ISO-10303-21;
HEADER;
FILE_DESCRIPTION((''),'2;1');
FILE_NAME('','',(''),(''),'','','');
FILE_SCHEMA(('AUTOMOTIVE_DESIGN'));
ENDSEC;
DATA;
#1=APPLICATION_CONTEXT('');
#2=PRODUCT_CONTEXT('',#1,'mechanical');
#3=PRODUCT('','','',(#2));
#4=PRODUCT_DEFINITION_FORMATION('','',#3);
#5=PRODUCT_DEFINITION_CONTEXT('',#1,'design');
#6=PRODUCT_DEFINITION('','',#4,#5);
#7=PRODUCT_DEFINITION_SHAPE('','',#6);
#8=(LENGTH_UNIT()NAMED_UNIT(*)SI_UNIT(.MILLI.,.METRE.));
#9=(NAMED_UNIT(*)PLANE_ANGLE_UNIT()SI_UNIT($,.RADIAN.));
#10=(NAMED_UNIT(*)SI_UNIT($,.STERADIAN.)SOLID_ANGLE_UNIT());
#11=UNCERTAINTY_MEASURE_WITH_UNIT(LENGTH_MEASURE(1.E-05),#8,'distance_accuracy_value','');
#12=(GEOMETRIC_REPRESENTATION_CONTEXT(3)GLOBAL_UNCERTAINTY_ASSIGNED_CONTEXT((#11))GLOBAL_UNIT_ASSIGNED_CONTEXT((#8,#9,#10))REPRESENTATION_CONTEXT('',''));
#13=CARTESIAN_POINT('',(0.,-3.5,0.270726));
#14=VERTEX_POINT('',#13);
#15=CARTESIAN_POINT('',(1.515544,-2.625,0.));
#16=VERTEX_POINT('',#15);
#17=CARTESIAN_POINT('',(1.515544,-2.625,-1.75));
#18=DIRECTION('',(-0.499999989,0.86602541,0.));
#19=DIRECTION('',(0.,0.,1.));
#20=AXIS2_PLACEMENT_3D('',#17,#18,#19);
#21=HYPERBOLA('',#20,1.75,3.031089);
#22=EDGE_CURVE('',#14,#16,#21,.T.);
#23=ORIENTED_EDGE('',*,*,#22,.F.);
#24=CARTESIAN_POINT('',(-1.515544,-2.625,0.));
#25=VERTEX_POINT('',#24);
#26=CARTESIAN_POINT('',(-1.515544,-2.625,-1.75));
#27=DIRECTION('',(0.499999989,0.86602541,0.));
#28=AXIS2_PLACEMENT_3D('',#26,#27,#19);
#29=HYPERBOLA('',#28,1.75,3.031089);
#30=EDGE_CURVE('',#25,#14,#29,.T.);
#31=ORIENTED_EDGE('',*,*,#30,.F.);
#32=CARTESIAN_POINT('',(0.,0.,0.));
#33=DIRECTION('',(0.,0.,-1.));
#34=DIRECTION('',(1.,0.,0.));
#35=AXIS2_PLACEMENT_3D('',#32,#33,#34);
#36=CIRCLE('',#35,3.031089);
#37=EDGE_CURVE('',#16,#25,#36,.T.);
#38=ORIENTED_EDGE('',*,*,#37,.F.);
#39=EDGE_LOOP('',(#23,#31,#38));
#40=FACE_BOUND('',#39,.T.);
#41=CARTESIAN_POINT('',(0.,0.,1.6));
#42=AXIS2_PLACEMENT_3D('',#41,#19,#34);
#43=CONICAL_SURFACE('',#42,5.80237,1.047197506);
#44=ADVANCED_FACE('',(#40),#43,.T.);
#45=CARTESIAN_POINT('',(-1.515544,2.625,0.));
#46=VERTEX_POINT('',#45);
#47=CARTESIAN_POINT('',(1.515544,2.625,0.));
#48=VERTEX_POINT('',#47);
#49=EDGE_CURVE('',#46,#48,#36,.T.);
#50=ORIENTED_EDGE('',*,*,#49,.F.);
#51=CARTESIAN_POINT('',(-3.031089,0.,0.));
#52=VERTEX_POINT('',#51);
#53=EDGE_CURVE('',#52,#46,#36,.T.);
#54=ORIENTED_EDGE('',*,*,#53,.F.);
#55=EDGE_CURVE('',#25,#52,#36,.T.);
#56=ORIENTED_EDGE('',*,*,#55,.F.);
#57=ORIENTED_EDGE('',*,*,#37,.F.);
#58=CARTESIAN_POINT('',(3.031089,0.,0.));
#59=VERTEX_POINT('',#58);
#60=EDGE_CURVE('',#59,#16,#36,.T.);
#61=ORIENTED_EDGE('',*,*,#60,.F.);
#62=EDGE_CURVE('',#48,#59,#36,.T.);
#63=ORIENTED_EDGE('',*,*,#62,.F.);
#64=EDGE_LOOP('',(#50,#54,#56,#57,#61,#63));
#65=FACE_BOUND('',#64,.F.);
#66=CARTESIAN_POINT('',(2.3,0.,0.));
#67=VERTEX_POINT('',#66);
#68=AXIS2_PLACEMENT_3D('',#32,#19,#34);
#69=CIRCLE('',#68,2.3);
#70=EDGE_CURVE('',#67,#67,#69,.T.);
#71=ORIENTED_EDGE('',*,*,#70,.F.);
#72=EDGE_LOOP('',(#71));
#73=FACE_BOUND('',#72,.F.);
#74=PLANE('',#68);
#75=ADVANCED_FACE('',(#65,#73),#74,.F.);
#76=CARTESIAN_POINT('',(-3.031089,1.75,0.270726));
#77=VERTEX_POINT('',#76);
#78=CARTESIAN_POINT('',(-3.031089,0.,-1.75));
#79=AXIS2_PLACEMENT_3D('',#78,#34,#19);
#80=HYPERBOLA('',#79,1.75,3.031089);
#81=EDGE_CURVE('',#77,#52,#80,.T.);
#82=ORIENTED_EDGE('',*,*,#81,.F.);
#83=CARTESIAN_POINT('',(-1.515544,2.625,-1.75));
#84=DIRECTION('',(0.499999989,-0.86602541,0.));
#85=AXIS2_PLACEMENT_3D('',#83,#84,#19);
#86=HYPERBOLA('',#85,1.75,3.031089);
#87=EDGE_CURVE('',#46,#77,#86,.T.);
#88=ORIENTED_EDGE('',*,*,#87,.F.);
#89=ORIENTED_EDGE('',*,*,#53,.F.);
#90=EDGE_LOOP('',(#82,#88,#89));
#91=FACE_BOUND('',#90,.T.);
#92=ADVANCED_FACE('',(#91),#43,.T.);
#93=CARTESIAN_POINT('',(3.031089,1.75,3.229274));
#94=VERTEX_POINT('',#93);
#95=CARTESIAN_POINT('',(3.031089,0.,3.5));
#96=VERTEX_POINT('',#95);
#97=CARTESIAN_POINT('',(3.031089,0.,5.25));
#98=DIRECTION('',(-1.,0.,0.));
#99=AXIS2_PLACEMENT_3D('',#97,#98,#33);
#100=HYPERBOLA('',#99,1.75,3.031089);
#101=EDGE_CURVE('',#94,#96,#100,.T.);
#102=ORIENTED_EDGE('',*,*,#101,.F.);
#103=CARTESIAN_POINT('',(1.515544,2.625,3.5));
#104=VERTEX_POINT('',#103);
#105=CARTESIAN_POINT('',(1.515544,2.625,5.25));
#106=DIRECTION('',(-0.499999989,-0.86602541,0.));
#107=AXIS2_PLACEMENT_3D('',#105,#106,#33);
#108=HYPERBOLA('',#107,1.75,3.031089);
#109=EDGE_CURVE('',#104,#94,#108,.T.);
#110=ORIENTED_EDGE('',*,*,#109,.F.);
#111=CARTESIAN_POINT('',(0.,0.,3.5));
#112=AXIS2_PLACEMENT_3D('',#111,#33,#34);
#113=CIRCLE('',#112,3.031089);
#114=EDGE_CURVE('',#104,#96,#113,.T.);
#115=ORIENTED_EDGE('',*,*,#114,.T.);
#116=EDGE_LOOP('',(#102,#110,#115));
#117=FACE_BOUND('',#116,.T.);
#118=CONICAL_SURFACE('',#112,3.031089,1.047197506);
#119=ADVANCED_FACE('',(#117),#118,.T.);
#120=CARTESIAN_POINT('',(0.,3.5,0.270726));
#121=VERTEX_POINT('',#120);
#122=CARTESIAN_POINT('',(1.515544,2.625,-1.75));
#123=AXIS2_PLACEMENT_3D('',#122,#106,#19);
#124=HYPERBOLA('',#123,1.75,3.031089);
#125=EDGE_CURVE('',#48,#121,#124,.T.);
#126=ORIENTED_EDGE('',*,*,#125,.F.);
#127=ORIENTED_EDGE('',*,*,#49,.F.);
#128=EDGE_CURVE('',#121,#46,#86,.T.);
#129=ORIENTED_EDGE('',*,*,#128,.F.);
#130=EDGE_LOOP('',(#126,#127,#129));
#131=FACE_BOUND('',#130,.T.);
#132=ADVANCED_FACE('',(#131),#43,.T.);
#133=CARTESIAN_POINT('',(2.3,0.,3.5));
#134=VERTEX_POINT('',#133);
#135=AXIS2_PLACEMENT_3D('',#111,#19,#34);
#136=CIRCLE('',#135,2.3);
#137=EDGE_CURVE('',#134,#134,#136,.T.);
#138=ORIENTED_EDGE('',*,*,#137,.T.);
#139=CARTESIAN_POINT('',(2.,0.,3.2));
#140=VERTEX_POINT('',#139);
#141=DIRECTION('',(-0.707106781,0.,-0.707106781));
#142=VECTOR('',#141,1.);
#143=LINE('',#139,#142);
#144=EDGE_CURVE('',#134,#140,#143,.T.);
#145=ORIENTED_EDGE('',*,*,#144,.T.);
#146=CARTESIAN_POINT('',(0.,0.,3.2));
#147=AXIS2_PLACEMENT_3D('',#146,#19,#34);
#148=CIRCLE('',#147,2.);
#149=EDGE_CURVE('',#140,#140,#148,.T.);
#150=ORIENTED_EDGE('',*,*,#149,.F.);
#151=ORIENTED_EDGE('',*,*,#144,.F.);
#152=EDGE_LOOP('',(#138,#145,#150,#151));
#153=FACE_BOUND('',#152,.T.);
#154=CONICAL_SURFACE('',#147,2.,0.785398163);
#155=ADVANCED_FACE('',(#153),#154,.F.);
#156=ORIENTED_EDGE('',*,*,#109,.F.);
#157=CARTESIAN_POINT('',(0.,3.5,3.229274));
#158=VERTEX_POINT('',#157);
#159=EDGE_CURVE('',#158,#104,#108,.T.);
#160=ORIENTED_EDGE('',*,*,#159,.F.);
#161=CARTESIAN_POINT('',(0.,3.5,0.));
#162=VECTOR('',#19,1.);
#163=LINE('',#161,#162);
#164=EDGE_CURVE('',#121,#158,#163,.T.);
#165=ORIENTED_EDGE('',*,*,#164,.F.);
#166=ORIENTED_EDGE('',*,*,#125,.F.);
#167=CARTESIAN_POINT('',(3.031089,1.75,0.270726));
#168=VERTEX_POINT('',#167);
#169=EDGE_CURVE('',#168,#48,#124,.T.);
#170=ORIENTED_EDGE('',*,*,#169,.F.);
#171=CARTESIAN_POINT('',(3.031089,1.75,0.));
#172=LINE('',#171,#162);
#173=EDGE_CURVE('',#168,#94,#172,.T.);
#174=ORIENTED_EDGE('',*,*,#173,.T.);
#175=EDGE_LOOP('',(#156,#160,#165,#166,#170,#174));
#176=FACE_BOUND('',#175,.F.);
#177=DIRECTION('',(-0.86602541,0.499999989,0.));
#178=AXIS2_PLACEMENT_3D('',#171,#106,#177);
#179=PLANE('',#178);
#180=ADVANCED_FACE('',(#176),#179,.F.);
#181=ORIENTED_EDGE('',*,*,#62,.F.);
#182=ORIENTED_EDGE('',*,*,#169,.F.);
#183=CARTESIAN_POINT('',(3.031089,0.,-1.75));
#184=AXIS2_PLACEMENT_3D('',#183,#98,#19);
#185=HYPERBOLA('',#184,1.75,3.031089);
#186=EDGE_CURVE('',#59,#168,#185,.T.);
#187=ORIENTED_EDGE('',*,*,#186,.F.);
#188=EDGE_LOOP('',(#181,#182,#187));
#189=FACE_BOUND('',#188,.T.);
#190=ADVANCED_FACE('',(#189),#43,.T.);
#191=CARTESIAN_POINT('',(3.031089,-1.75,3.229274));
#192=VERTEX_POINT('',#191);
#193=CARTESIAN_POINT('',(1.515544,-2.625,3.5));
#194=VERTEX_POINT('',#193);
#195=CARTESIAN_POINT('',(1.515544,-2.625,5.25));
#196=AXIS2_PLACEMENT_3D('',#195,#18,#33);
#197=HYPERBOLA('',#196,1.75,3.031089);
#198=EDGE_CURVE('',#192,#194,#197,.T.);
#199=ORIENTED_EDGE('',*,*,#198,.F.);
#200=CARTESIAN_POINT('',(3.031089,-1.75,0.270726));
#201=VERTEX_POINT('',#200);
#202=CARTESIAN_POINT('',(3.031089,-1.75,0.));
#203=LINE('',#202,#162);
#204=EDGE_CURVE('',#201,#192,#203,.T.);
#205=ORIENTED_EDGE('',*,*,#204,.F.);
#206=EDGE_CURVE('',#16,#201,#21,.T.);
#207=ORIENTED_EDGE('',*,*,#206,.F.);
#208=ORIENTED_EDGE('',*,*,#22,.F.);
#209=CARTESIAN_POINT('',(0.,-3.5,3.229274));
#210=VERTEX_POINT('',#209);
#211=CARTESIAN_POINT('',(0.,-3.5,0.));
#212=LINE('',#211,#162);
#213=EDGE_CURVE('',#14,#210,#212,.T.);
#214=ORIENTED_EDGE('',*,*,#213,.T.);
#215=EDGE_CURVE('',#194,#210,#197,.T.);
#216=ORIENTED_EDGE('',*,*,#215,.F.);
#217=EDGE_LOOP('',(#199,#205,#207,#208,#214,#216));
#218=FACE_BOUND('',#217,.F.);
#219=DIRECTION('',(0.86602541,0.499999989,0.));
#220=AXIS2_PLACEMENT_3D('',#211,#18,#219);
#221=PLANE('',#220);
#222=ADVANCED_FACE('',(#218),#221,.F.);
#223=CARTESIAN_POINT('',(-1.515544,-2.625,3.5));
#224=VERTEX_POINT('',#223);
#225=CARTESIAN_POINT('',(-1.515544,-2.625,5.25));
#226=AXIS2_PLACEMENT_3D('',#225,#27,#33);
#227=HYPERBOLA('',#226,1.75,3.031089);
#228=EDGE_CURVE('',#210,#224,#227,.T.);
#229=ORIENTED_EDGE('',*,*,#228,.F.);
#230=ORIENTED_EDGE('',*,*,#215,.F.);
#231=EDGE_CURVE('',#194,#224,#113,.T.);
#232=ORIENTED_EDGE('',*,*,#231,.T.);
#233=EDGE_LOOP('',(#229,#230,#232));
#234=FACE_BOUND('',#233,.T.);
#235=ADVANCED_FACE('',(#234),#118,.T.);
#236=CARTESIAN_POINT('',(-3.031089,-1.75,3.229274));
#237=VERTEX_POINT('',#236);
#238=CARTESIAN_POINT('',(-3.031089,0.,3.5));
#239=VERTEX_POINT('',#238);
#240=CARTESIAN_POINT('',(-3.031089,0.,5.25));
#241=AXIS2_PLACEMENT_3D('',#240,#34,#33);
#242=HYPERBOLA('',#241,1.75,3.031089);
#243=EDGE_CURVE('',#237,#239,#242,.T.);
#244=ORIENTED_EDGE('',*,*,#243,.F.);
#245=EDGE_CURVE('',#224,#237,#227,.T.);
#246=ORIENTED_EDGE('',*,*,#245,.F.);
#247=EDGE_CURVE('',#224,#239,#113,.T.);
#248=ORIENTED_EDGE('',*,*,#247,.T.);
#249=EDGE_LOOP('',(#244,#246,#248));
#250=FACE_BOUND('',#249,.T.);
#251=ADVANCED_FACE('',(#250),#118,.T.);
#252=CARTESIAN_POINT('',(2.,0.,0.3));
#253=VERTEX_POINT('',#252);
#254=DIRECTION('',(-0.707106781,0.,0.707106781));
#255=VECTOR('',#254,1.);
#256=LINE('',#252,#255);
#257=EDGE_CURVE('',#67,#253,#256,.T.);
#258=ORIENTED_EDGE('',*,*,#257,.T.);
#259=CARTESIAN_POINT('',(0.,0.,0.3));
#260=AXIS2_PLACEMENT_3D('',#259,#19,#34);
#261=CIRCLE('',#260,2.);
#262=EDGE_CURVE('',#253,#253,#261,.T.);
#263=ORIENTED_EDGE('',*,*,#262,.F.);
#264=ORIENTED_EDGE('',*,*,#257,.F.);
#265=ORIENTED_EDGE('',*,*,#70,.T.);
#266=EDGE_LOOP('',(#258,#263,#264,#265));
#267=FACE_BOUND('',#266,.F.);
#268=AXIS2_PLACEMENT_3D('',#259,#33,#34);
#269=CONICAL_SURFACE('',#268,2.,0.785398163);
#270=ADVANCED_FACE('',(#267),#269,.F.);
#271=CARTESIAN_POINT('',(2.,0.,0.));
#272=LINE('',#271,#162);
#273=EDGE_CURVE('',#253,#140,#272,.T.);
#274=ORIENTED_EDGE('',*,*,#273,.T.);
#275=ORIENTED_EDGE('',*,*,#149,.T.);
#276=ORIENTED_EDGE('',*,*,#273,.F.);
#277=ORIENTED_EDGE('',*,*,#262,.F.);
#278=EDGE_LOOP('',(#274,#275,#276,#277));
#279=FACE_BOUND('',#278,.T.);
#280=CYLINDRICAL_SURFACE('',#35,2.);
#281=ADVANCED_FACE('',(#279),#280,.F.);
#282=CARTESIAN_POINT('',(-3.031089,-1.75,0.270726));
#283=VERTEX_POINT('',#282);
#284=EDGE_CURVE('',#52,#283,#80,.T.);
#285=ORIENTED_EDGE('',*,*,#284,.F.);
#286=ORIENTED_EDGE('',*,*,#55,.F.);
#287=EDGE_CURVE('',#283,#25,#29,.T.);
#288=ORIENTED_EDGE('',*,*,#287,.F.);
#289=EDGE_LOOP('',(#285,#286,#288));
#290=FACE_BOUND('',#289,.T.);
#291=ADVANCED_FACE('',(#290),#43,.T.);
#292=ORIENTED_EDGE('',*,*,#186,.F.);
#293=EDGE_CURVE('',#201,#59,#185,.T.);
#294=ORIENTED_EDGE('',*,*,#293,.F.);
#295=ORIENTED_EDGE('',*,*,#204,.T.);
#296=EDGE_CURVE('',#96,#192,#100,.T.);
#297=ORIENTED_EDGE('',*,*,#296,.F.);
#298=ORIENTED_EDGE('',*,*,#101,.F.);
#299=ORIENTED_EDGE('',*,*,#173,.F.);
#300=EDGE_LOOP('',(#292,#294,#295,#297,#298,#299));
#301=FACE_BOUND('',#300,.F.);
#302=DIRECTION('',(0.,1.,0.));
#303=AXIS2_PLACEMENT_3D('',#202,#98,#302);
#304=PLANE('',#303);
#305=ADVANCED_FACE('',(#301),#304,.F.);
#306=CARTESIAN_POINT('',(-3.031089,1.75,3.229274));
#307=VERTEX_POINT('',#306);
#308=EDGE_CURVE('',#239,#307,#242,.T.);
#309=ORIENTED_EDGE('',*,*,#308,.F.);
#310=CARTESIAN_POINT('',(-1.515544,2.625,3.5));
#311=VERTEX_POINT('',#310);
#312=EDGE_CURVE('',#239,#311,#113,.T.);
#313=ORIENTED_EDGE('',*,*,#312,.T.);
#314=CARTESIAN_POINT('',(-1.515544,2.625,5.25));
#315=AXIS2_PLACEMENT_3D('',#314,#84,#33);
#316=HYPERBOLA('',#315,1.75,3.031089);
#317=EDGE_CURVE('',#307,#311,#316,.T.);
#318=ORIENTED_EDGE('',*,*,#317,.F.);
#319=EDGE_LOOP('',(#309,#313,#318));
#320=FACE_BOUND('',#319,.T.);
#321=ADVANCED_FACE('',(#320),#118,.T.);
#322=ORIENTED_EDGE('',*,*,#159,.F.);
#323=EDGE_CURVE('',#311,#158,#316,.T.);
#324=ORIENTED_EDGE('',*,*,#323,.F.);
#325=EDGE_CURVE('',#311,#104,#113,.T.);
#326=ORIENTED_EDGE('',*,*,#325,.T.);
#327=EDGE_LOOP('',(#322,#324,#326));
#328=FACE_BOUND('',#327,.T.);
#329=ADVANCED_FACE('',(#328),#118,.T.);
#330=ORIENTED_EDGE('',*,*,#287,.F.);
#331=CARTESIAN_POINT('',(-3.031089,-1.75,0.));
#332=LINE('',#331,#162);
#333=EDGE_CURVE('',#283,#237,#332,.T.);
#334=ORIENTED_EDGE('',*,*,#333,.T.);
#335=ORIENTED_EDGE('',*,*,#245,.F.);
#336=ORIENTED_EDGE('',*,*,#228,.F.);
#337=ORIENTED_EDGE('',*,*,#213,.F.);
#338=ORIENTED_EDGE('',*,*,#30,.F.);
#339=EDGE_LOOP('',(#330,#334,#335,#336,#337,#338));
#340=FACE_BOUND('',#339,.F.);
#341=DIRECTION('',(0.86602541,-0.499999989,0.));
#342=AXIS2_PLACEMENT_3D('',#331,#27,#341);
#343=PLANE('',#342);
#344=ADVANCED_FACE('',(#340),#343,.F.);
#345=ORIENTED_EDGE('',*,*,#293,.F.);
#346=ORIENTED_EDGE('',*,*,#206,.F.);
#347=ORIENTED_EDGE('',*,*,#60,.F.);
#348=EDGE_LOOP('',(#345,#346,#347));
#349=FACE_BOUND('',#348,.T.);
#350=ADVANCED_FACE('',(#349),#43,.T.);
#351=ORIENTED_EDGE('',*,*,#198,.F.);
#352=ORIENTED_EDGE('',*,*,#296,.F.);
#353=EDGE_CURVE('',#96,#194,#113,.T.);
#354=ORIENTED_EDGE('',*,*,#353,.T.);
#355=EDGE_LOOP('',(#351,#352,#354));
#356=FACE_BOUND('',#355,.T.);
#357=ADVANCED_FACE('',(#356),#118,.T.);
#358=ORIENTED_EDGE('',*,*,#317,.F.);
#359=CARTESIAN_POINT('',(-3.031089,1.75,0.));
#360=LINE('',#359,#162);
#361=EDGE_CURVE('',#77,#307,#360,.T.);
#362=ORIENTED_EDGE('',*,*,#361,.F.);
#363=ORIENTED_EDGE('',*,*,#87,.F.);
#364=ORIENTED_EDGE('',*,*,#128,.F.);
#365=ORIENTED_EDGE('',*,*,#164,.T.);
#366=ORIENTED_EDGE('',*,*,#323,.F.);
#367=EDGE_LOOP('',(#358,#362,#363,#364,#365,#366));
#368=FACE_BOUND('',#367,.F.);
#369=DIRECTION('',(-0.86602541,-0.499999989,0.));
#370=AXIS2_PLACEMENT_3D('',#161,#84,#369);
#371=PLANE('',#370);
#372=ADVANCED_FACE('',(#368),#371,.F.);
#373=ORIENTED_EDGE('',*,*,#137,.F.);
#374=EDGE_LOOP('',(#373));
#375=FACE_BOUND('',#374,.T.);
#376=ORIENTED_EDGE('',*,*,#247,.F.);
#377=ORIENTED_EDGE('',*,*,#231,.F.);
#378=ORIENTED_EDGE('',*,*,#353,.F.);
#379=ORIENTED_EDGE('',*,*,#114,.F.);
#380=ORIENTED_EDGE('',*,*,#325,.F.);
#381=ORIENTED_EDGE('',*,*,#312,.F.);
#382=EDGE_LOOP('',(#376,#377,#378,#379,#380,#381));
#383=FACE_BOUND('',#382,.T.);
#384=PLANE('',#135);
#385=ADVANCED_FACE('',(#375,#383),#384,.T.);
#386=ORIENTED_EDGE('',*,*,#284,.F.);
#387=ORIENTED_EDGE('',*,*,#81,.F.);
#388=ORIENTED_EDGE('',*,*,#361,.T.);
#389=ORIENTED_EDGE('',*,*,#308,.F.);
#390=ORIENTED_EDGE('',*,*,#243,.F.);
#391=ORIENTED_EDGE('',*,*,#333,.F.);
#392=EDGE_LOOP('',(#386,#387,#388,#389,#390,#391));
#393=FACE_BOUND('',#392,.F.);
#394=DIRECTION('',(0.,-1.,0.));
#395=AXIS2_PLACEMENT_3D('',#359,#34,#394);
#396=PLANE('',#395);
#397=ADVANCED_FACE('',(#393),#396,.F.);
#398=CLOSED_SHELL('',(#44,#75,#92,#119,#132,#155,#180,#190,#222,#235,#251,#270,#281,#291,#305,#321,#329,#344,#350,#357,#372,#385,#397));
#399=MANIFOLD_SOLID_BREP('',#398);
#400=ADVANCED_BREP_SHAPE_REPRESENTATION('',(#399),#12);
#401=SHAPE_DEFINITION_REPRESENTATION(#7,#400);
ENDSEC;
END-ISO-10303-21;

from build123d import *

# Parameters (mm, degrees)
F0_R     = 2
F1_DEPTH = 3.5
F4_SIZE  = 0.3


with BuildPart() as f1:
    # F0 (on Top) → F1 (new body)
    with BuildSketch(Plane.XY):
        Polygon((3.031089, 1.75), (0, 3.5), (-3.031089, 1.75), (-3.031089, -1.75), (0, -3.5), (3.031089, -1.75), align=None)
        Circle(F0_R, mode=Mode.SUBTRACT)
    extrude(amount=F1_DEPTH)

    # F2 (on Front) → F3 (revolve, cut)
    with BuildSketch(Plane.XZ):
        Polygon((3.031089, 3.5), (5.80237, 1.9), (5.80237, 3.5), align=None)
        Polygon((5.80237, 1.6), (3.031089, 0), (5.80237, 0), align=None)
    revolve(axis=Axis((0, 0, 1.75), (0, 0, -1)), mode=Mode.SUBTRACT)

    # F4
    f4_edges = [f1.edges().sort_by_distance(p)[0] for p in [
        (-2, 0, 3.5),
        (-2, 0, 0),
    ]]
    chamfer(f4_edges, length=F4_SIZE)


solid = f1.part
